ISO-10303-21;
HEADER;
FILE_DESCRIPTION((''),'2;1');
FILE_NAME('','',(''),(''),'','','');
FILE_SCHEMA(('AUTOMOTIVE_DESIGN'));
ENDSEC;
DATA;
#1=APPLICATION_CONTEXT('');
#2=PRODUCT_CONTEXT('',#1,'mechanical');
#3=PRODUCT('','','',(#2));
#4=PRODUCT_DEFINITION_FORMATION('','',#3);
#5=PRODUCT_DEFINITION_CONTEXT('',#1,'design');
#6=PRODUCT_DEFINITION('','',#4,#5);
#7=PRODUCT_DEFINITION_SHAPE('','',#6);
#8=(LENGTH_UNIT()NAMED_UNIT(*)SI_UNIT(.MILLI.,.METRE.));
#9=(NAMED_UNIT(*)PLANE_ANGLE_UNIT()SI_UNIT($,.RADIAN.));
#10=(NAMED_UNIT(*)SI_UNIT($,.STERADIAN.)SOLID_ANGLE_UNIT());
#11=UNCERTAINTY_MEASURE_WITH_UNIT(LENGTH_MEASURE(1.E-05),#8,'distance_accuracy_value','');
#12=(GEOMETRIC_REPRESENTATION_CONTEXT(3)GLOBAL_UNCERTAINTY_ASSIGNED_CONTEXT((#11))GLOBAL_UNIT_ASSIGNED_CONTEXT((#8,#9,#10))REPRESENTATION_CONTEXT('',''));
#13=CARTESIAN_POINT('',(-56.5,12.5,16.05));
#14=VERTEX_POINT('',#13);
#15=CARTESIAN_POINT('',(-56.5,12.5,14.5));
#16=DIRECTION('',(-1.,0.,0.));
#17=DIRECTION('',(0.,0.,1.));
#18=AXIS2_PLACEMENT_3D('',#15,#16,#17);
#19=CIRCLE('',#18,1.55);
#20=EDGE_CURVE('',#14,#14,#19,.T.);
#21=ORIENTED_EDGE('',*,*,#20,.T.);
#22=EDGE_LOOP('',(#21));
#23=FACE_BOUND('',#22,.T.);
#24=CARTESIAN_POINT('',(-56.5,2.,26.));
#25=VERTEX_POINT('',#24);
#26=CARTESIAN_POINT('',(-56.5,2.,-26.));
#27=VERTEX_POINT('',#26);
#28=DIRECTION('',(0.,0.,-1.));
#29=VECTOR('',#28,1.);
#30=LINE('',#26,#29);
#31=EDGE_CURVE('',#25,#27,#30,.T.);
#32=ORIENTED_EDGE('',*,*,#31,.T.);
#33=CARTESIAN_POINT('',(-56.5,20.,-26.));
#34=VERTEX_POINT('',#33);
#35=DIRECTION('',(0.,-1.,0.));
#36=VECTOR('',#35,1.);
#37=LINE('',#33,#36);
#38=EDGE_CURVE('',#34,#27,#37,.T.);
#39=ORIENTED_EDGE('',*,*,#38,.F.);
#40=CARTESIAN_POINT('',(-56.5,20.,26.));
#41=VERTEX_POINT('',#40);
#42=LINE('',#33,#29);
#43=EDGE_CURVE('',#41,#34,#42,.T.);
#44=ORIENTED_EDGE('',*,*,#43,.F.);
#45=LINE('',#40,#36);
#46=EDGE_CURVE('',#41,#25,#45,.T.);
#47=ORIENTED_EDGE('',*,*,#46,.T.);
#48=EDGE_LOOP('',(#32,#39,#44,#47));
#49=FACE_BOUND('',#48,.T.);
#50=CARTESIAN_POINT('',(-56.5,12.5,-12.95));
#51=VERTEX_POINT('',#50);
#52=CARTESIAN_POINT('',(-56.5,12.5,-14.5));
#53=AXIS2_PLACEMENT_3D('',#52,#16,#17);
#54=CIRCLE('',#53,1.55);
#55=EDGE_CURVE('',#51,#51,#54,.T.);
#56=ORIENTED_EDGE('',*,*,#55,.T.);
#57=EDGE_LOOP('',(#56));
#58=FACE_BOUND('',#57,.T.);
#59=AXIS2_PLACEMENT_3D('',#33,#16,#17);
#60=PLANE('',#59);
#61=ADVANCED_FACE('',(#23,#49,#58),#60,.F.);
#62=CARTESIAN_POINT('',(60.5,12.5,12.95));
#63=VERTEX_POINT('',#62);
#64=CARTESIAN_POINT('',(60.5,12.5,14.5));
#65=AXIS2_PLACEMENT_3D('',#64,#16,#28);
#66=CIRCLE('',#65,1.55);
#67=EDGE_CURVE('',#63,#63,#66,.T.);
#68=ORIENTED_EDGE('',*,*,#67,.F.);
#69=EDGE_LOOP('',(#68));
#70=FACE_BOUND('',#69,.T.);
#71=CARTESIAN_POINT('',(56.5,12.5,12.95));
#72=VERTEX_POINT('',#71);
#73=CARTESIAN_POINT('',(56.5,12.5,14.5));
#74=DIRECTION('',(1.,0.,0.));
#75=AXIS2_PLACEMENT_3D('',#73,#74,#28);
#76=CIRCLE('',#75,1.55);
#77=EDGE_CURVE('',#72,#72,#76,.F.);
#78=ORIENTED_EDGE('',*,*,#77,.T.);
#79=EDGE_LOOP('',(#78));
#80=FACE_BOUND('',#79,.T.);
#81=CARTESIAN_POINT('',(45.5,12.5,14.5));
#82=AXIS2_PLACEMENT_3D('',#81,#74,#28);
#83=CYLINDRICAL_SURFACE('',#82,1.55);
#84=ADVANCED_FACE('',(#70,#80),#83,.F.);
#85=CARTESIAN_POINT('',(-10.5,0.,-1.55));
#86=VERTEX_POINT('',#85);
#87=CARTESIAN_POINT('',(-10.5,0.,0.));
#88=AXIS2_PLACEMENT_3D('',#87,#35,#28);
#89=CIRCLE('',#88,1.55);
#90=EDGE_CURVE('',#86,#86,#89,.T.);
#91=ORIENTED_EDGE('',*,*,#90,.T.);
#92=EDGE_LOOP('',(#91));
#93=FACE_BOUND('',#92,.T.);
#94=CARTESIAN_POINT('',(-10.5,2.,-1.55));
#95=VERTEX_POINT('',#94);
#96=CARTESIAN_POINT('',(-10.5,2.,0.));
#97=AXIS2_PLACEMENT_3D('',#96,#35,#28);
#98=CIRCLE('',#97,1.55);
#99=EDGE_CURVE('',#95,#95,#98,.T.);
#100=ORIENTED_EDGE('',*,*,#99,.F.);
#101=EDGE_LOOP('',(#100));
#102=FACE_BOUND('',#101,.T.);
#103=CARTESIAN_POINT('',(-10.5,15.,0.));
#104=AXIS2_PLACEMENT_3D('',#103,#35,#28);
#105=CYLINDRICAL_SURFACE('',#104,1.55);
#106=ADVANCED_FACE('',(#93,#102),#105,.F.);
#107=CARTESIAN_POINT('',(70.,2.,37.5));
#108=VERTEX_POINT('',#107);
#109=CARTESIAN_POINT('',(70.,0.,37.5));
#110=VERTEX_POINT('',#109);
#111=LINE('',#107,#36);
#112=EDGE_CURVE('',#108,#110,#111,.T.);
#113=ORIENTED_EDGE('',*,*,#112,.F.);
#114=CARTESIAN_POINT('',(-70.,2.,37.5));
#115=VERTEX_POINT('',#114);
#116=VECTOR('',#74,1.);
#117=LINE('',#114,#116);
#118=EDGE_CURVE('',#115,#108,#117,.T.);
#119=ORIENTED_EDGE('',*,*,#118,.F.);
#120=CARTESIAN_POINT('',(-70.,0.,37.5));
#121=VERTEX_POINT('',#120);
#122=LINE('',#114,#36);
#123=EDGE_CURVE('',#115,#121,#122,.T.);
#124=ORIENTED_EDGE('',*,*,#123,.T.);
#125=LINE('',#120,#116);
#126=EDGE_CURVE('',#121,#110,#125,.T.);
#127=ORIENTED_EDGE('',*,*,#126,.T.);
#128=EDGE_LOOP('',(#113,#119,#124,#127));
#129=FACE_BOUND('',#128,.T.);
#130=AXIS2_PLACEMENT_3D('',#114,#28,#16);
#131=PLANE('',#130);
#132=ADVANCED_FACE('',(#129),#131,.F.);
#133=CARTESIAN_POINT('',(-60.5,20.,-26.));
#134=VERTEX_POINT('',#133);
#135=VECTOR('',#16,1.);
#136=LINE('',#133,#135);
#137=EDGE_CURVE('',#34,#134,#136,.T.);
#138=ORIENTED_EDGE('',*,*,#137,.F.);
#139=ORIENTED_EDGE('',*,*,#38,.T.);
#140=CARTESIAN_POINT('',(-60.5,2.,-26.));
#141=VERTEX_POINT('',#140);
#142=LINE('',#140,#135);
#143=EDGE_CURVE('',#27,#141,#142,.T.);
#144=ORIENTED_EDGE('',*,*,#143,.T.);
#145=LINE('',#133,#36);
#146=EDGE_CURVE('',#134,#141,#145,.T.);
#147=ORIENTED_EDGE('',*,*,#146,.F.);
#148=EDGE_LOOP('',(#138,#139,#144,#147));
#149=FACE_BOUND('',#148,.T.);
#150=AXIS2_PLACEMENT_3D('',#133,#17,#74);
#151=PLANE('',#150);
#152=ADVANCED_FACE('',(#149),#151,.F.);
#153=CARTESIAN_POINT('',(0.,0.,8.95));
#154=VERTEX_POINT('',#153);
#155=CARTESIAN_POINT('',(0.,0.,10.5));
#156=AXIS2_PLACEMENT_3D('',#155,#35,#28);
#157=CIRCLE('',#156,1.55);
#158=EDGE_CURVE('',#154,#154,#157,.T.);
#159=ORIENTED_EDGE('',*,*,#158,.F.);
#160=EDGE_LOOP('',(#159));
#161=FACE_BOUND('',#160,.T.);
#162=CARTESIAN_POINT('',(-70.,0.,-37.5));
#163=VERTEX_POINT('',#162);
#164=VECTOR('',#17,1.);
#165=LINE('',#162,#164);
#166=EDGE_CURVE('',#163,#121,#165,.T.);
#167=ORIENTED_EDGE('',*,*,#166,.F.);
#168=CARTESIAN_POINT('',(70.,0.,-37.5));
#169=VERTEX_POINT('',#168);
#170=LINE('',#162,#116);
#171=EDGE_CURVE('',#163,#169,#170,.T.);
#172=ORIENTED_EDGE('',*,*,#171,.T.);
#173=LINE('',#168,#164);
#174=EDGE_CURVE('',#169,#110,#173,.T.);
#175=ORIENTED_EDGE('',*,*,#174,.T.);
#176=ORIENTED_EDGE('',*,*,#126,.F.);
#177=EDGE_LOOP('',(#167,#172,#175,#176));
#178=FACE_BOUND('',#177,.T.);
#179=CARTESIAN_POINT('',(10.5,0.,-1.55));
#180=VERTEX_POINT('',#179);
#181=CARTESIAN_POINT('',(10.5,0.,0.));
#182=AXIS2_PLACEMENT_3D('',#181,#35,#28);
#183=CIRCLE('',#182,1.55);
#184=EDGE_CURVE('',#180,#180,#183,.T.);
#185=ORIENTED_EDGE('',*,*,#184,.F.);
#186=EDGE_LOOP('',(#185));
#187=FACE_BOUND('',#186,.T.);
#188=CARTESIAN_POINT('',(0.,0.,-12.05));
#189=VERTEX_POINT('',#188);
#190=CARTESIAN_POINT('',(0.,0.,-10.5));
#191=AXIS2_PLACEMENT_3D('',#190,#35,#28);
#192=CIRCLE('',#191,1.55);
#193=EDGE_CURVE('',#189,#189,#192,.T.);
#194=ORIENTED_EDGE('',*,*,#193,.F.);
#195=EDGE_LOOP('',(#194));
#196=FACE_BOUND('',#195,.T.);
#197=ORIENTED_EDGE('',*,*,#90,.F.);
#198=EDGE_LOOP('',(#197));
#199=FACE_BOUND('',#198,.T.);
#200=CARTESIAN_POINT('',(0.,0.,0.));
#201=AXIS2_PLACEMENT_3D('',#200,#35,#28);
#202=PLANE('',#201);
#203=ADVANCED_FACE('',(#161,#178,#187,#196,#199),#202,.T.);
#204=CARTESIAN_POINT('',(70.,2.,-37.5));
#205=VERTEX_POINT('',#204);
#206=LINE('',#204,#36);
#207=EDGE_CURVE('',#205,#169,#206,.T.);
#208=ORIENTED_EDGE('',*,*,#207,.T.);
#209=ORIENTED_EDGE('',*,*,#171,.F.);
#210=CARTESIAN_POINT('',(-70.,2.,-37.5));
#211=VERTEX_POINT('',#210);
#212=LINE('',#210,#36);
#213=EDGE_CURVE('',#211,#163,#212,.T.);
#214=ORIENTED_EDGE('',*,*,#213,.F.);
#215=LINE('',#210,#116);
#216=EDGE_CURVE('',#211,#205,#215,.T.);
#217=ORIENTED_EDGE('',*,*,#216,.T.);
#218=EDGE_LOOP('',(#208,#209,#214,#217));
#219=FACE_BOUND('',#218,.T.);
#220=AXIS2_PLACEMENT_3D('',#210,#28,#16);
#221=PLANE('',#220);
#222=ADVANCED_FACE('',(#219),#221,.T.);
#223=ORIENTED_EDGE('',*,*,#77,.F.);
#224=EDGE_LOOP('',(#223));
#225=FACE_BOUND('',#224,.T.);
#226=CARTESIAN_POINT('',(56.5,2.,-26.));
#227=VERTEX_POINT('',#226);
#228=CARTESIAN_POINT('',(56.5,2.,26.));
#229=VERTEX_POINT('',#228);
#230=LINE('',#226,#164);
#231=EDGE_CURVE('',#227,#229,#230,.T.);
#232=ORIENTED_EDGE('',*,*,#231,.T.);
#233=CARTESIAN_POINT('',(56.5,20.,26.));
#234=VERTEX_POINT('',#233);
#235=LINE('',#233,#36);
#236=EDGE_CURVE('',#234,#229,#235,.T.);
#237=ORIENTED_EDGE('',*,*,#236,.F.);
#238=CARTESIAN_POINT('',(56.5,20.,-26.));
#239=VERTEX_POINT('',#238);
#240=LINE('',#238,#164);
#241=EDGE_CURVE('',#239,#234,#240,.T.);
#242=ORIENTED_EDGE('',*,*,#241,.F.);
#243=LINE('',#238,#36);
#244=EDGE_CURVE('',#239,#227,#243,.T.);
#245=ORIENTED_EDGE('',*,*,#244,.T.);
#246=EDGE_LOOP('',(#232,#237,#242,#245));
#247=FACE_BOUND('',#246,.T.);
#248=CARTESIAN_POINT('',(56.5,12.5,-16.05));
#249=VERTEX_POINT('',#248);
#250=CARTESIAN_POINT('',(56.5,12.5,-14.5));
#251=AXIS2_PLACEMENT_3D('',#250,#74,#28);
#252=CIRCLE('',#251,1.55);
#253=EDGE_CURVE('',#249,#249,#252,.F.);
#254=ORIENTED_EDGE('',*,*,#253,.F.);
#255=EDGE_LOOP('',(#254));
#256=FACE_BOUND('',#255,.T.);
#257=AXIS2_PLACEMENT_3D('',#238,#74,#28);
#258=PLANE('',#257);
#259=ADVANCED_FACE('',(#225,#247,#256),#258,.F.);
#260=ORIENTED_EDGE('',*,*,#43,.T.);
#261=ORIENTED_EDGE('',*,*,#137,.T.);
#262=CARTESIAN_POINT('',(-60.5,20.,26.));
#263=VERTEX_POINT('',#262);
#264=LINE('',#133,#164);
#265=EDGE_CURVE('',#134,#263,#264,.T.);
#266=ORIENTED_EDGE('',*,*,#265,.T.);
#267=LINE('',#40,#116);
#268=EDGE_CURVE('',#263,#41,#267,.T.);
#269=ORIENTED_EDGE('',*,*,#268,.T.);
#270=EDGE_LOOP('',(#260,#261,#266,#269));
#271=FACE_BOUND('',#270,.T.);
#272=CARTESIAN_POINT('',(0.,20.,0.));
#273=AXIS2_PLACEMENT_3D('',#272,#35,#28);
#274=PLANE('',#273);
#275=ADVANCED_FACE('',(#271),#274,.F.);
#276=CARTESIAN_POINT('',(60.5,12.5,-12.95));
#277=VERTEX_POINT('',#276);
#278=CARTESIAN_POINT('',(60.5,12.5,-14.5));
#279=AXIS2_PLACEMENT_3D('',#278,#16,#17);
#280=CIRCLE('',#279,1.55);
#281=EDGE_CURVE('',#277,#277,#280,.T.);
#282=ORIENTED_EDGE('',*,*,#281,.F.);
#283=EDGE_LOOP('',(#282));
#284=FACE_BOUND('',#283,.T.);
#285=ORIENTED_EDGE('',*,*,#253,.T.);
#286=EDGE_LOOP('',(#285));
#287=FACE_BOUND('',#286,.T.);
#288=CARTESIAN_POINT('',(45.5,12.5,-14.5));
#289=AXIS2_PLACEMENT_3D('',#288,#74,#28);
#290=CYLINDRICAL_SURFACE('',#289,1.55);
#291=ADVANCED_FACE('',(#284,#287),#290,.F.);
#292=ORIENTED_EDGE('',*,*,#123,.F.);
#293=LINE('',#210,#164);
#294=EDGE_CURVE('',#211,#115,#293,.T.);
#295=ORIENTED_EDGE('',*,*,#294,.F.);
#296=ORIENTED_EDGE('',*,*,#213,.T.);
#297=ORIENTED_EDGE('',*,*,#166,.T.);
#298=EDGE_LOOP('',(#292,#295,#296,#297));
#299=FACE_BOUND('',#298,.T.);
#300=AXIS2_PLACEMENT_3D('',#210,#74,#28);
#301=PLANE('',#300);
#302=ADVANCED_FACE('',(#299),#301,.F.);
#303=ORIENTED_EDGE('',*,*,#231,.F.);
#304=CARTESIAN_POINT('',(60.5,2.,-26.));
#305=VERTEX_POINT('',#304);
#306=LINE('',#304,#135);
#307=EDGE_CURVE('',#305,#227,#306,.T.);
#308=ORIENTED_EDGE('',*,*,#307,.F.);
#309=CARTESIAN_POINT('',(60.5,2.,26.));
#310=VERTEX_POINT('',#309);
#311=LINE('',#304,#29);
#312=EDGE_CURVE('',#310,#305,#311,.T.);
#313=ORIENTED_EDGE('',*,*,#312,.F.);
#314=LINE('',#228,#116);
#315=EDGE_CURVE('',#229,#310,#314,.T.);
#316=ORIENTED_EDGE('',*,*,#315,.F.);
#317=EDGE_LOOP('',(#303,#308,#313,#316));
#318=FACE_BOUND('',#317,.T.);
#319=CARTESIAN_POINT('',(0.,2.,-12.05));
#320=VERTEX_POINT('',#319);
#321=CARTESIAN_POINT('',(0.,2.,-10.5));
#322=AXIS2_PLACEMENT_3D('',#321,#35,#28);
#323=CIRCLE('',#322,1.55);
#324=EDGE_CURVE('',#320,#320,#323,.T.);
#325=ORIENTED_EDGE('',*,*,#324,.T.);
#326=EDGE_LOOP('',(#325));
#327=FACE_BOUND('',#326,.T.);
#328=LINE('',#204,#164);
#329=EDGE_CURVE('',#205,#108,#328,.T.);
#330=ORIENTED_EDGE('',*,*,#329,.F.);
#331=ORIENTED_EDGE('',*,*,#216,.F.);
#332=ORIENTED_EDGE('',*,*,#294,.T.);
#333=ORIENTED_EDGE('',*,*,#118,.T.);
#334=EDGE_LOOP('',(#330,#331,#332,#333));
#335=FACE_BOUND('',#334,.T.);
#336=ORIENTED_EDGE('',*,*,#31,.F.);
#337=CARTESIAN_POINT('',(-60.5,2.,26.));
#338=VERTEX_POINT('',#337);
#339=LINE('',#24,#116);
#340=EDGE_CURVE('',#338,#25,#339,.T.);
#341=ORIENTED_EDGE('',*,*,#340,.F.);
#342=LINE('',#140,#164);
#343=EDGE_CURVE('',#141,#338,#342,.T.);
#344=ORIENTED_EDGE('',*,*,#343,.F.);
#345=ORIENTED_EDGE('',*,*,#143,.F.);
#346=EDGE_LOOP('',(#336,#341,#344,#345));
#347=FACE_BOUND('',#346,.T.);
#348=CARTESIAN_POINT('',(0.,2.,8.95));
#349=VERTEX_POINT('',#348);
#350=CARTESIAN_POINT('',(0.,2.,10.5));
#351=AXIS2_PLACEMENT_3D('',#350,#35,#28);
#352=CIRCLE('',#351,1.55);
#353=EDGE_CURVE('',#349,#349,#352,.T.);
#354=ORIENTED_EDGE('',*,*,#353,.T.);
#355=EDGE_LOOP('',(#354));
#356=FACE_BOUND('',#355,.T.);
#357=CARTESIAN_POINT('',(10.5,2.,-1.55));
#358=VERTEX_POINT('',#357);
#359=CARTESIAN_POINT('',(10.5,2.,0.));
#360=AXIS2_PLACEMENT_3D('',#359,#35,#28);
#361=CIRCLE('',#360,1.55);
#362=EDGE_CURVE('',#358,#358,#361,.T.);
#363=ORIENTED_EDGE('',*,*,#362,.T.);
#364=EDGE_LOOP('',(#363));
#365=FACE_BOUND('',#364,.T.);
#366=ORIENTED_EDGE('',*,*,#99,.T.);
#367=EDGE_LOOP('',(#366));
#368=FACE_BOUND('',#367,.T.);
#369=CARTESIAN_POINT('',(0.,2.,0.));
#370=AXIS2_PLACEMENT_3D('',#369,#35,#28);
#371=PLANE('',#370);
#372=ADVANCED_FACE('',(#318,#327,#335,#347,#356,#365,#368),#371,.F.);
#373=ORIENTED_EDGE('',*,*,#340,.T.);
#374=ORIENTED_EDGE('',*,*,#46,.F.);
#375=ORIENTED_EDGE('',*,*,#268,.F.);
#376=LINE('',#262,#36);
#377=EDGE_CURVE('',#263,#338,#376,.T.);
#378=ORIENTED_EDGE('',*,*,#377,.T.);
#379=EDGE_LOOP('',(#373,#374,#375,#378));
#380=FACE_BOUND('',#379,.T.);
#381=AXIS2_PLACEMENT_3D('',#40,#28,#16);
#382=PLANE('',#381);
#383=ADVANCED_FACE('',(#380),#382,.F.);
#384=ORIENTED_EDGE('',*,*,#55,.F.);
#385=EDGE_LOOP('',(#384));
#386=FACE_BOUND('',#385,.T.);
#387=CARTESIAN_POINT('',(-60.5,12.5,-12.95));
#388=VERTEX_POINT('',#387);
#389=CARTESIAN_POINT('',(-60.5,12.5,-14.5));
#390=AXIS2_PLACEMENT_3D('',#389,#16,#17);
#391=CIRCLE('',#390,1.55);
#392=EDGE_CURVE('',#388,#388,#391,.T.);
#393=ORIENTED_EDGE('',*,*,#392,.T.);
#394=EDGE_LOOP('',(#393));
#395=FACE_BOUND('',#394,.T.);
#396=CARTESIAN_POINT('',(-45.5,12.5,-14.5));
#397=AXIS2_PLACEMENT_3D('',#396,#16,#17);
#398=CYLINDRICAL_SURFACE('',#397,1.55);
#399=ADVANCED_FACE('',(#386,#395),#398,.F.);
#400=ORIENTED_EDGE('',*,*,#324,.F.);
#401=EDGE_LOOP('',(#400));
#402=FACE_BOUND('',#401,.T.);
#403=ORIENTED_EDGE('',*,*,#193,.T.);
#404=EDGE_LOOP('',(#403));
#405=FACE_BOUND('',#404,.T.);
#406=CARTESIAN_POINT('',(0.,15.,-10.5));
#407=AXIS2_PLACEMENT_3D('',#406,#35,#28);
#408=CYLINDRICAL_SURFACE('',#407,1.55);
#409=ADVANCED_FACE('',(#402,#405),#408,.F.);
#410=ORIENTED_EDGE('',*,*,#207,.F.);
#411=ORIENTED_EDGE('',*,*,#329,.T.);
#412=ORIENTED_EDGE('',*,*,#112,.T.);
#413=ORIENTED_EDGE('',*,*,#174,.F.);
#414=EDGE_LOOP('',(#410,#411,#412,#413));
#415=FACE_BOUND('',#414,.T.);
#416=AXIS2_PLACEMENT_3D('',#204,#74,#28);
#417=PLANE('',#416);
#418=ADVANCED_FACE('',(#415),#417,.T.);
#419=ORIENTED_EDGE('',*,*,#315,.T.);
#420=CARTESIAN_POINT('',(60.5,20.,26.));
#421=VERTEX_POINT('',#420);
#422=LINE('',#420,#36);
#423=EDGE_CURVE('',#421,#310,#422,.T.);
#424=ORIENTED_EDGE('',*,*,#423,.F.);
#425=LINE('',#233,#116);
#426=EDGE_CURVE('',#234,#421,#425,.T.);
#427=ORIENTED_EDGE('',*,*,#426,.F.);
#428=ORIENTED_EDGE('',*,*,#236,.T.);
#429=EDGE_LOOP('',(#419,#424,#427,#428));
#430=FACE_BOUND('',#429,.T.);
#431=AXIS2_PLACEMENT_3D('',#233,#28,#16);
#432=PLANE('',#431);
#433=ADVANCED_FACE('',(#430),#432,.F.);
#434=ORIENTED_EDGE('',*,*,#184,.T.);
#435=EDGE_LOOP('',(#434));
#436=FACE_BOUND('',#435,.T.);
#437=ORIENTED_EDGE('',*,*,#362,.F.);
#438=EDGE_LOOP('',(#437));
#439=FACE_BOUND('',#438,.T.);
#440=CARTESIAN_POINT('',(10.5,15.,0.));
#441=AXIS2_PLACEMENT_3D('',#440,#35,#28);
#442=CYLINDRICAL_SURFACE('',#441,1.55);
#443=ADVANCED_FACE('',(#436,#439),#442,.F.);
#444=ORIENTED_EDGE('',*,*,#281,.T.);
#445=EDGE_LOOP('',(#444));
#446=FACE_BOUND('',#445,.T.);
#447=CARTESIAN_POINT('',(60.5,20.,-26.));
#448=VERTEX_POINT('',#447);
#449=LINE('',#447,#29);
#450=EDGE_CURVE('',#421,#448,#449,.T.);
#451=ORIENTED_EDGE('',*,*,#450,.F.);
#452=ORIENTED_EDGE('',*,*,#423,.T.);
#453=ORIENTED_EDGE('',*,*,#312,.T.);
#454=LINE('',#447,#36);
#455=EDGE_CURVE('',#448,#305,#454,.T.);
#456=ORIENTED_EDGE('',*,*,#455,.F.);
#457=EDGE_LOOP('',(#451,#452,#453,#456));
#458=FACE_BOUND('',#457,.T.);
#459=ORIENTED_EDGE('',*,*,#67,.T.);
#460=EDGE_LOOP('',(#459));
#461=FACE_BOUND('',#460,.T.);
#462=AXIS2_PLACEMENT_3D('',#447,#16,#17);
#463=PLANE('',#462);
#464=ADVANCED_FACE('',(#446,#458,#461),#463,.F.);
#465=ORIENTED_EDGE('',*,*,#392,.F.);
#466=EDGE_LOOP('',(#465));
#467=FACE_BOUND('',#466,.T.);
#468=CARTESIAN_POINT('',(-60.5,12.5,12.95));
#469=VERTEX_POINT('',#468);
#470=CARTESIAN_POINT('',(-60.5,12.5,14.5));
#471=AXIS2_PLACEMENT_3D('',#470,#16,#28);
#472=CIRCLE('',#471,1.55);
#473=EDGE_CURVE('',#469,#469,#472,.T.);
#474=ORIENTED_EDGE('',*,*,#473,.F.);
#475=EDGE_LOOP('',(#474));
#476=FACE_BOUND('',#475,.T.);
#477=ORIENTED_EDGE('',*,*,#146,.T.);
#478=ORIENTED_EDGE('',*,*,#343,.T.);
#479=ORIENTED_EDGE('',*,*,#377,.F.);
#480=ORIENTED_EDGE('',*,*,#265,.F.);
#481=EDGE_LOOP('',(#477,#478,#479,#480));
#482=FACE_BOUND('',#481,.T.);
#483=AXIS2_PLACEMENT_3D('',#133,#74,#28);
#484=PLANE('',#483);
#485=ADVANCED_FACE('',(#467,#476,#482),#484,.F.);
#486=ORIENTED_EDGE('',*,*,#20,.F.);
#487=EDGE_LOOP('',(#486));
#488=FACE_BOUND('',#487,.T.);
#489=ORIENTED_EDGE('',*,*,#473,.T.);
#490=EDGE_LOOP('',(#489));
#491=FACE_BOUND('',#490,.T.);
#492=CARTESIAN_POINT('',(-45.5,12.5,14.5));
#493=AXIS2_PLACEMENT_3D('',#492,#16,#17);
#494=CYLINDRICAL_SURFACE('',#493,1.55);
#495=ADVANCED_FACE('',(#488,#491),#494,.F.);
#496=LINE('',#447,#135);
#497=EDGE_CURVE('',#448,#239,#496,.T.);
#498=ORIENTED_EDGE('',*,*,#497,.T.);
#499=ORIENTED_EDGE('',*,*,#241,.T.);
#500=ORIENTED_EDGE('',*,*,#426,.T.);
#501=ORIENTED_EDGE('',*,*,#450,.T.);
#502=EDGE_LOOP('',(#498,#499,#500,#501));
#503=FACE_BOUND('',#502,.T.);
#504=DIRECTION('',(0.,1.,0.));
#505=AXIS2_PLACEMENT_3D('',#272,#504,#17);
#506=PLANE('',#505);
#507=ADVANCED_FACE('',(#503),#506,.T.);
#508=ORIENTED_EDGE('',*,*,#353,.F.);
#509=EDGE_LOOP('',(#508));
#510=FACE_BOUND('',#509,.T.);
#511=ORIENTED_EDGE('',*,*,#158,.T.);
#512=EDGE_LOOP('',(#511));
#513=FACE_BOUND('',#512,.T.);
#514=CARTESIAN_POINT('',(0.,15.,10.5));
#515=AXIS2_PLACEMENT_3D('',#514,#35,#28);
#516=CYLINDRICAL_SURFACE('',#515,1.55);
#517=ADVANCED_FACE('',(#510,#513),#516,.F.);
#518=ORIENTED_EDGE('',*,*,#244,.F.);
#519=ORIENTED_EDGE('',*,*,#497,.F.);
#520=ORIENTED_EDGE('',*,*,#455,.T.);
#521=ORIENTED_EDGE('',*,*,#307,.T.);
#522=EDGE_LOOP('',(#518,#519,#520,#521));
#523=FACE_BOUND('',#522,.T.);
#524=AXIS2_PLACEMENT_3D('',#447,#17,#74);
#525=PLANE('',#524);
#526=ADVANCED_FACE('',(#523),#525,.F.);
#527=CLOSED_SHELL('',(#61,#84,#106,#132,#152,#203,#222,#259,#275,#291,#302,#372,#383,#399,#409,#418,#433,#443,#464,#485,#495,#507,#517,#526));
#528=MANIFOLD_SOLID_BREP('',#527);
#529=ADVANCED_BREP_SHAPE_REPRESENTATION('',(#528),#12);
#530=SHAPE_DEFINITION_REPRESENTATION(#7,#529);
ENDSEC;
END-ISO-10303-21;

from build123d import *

# Parameters (mm, degrees)
SKETCH_1_W          = 140
SKETCH_1_H          = 75
EXTRUDE_1_DEPTH     = 2
SKETCH_2_W          = 4
SKETCH_2_H          = 52
EXTRUDE_2_DEPTH     = 18
SKETCH_3_R          = 1.55
CUT_EXTRUDE_1_DEPTH = 15
SKETCH_5_R          = 1.55
CUT_EXTRUDE_2_DEPTH = 15


with BuildPart() as part:
    # 草图1 → 凸台-拉伸1 (new body)
    with BuildSketch(Plane(origin=(0, 0, 0), x_dir=(1, 0, 0), z_dir=(0, 1, 0))):
        Rectangle(SKETCH_1_W, SKETCH_1_H)
    extrude(amount=EXTRUDE_1_DEPTH)

    # 草图2 → 凸台-拉伸2 (add)
    with BuildSketch(Plane(origin=(0, 2, 0), x_dir=(1, 0, 0), z_dir=(0, 1, 0))):
        with Locations((58.5, 0)):
            Rectangle(SKETCH_2_W, SKETCH_2_H)
        with Locations((-58.5, 0)):
            Rectangle(SKETCH_2_W, SKETCH_2_H)
    extrude(amount=EXTRUDE_2_DEPTH)

    # 草图3 → 切除-拉伸1 (cut)
    with BuildSketch(Plane.ZY.offset(60.5)):
        with Locations((-14.5, 12.5)):
            Circle(SKETCH_3_R)
        with Locations((14.5, 12.5)):
            Circle(SKETCH_3_R)
    cut_extrude_1 = extrude(amount=-CUT_EXTRUDE_1_DEPTH, mode=Mode.SUBTRACT)

    # 镜向1: 切除-拉伸1 across plane
    add(cut_extrude_1.mirror(Plane(origin=(0, 0, 0), x_dir=(0, 0, 1), z_dir=(1, 0, 0))), mode=Mode.SUBTRACT)

    # 草图5 → 切除-拉伸2 (cut)
    with BuildSketch(Plane(origin=(0, 0, 0), x_dir=(-1, 0, 0), z_dir=(0, -1, 0))):
        with Locations(Location((0, -10.5, 0), (0, 0, 90))):
            Circle(SKETCH_5_R)
        with Locations(Location((-10.5, 0, 0), (0, 0, 90))):
            Circle(SKETCH_5_R)
        with Locations(Location((10.5, 0, 0), (0, 0, 90))):
            Circle(SKETCH_5_R)
        with Locations(Location((0, 10.5, 0), (0, 0, 90))):
            Circle(SKETCH_5_R)
    extrude(amount=-CUT_EXTRUDE_2_DEPTH, mode=Mode.SUBTRACT)


solid = part.part
